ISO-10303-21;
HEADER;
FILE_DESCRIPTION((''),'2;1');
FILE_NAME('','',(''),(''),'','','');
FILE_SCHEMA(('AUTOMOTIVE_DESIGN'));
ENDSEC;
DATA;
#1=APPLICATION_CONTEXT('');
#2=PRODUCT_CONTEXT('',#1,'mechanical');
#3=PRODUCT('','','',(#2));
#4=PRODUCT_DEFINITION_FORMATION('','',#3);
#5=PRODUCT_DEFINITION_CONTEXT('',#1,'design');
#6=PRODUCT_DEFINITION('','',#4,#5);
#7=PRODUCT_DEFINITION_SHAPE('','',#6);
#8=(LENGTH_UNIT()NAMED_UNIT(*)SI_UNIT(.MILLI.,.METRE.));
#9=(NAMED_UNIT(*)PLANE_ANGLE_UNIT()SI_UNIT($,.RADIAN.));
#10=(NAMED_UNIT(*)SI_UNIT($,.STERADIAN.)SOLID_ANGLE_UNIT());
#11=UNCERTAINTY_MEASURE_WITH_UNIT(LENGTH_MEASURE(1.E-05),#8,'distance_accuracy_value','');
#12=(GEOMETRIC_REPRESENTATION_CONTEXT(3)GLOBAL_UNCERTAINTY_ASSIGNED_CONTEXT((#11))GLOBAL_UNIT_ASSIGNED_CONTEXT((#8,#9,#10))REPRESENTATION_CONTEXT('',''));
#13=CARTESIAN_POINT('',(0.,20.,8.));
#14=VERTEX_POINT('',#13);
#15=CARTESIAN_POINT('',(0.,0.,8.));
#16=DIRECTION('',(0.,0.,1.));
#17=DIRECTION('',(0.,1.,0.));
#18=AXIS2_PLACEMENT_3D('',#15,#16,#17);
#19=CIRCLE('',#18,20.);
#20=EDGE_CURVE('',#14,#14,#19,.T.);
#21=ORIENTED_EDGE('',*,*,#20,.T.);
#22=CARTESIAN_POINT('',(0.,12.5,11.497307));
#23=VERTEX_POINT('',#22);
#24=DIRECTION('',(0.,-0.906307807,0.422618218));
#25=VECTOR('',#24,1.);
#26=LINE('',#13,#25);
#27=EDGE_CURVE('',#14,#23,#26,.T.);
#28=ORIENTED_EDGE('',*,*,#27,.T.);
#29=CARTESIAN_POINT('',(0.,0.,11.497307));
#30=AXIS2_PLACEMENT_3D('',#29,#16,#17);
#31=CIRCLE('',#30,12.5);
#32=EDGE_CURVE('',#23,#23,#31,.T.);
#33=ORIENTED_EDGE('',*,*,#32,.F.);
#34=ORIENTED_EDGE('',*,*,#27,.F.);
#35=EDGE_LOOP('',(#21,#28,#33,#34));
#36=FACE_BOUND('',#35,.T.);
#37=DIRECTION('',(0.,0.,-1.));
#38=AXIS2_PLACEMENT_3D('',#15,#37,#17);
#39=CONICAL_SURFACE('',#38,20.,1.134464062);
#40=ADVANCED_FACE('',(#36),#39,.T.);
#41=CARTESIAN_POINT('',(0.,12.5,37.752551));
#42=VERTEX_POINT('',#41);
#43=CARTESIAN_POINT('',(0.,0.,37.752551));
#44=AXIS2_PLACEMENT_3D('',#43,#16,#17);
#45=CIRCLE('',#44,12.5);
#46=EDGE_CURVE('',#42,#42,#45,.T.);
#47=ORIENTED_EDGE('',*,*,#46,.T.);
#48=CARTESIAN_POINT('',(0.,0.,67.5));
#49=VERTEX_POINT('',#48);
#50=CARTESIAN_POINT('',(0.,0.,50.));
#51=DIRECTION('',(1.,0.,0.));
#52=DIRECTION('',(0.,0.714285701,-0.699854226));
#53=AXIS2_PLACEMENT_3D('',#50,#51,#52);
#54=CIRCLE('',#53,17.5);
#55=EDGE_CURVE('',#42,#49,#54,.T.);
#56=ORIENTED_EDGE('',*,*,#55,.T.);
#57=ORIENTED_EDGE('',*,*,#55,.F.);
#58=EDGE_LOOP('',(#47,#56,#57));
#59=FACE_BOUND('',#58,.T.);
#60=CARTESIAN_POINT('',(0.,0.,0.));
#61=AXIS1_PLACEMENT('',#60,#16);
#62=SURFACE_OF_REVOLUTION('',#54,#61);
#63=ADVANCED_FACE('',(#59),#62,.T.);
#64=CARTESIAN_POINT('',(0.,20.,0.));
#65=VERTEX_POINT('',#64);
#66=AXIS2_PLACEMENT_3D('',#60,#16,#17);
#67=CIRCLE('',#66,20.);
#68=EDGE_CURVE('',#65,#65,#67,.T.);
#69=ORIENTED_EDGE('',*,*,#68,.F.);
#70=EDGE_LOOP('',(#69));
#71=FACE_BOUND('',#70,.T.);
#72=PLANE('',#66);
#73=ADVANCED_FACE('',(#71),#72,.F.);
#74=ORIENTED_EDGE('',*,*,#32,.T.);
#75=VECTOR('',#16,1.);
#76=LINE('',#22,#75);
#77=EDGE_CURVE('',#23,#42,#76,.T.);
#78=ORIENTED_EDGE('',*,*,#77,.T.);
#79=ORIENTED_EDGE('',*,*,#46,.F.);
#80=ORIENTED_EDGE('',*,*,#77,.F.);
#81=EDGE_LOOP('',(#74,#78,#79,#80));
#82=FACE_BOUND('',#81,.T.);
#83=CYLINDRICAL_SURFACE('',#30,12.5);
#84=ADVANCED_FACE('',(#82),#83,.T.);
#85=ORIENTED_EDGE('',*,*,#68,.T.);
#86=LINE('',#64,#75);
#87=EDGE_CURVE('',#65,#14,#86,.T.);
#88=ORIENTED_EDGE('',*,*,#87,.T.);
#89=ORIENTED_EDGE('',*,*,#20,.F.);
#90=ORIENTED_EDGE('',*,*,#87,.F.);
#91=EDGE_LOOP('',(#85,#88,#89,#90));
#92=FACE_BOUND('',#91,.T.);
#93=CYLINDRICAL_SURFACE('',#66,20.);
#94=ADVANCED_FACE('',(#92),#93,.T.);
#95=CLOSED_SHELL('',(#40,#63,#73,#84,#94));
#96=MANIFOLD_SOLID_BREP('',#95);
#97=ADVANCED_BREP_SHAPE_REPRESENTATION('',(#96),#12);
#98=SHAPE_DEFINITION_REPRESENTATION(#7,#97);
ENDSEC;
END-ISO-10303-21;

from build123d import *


with BuildPart() as part:
    # Sketch → Revolution (revolve)
    with BuildSketch(Plane.YZ):
        with BuildLine():
            Line((0, 0), (20, 0))
            Line((20, 0), (20, 8))
            Line((20, 8), (12.5, 11.497307))
            Line((12.5, 11.497307), (12.5, 37.752551))
            ThreePointArc((12.5, 37.752551), (16.133511, 56.779368), (0, 67.5))
            Line((0, 67.5), (0, 0))
        make_face()
    revolve(axis=Axis((0, 0, 0), (0, 0, 1)))


solid = part.part
